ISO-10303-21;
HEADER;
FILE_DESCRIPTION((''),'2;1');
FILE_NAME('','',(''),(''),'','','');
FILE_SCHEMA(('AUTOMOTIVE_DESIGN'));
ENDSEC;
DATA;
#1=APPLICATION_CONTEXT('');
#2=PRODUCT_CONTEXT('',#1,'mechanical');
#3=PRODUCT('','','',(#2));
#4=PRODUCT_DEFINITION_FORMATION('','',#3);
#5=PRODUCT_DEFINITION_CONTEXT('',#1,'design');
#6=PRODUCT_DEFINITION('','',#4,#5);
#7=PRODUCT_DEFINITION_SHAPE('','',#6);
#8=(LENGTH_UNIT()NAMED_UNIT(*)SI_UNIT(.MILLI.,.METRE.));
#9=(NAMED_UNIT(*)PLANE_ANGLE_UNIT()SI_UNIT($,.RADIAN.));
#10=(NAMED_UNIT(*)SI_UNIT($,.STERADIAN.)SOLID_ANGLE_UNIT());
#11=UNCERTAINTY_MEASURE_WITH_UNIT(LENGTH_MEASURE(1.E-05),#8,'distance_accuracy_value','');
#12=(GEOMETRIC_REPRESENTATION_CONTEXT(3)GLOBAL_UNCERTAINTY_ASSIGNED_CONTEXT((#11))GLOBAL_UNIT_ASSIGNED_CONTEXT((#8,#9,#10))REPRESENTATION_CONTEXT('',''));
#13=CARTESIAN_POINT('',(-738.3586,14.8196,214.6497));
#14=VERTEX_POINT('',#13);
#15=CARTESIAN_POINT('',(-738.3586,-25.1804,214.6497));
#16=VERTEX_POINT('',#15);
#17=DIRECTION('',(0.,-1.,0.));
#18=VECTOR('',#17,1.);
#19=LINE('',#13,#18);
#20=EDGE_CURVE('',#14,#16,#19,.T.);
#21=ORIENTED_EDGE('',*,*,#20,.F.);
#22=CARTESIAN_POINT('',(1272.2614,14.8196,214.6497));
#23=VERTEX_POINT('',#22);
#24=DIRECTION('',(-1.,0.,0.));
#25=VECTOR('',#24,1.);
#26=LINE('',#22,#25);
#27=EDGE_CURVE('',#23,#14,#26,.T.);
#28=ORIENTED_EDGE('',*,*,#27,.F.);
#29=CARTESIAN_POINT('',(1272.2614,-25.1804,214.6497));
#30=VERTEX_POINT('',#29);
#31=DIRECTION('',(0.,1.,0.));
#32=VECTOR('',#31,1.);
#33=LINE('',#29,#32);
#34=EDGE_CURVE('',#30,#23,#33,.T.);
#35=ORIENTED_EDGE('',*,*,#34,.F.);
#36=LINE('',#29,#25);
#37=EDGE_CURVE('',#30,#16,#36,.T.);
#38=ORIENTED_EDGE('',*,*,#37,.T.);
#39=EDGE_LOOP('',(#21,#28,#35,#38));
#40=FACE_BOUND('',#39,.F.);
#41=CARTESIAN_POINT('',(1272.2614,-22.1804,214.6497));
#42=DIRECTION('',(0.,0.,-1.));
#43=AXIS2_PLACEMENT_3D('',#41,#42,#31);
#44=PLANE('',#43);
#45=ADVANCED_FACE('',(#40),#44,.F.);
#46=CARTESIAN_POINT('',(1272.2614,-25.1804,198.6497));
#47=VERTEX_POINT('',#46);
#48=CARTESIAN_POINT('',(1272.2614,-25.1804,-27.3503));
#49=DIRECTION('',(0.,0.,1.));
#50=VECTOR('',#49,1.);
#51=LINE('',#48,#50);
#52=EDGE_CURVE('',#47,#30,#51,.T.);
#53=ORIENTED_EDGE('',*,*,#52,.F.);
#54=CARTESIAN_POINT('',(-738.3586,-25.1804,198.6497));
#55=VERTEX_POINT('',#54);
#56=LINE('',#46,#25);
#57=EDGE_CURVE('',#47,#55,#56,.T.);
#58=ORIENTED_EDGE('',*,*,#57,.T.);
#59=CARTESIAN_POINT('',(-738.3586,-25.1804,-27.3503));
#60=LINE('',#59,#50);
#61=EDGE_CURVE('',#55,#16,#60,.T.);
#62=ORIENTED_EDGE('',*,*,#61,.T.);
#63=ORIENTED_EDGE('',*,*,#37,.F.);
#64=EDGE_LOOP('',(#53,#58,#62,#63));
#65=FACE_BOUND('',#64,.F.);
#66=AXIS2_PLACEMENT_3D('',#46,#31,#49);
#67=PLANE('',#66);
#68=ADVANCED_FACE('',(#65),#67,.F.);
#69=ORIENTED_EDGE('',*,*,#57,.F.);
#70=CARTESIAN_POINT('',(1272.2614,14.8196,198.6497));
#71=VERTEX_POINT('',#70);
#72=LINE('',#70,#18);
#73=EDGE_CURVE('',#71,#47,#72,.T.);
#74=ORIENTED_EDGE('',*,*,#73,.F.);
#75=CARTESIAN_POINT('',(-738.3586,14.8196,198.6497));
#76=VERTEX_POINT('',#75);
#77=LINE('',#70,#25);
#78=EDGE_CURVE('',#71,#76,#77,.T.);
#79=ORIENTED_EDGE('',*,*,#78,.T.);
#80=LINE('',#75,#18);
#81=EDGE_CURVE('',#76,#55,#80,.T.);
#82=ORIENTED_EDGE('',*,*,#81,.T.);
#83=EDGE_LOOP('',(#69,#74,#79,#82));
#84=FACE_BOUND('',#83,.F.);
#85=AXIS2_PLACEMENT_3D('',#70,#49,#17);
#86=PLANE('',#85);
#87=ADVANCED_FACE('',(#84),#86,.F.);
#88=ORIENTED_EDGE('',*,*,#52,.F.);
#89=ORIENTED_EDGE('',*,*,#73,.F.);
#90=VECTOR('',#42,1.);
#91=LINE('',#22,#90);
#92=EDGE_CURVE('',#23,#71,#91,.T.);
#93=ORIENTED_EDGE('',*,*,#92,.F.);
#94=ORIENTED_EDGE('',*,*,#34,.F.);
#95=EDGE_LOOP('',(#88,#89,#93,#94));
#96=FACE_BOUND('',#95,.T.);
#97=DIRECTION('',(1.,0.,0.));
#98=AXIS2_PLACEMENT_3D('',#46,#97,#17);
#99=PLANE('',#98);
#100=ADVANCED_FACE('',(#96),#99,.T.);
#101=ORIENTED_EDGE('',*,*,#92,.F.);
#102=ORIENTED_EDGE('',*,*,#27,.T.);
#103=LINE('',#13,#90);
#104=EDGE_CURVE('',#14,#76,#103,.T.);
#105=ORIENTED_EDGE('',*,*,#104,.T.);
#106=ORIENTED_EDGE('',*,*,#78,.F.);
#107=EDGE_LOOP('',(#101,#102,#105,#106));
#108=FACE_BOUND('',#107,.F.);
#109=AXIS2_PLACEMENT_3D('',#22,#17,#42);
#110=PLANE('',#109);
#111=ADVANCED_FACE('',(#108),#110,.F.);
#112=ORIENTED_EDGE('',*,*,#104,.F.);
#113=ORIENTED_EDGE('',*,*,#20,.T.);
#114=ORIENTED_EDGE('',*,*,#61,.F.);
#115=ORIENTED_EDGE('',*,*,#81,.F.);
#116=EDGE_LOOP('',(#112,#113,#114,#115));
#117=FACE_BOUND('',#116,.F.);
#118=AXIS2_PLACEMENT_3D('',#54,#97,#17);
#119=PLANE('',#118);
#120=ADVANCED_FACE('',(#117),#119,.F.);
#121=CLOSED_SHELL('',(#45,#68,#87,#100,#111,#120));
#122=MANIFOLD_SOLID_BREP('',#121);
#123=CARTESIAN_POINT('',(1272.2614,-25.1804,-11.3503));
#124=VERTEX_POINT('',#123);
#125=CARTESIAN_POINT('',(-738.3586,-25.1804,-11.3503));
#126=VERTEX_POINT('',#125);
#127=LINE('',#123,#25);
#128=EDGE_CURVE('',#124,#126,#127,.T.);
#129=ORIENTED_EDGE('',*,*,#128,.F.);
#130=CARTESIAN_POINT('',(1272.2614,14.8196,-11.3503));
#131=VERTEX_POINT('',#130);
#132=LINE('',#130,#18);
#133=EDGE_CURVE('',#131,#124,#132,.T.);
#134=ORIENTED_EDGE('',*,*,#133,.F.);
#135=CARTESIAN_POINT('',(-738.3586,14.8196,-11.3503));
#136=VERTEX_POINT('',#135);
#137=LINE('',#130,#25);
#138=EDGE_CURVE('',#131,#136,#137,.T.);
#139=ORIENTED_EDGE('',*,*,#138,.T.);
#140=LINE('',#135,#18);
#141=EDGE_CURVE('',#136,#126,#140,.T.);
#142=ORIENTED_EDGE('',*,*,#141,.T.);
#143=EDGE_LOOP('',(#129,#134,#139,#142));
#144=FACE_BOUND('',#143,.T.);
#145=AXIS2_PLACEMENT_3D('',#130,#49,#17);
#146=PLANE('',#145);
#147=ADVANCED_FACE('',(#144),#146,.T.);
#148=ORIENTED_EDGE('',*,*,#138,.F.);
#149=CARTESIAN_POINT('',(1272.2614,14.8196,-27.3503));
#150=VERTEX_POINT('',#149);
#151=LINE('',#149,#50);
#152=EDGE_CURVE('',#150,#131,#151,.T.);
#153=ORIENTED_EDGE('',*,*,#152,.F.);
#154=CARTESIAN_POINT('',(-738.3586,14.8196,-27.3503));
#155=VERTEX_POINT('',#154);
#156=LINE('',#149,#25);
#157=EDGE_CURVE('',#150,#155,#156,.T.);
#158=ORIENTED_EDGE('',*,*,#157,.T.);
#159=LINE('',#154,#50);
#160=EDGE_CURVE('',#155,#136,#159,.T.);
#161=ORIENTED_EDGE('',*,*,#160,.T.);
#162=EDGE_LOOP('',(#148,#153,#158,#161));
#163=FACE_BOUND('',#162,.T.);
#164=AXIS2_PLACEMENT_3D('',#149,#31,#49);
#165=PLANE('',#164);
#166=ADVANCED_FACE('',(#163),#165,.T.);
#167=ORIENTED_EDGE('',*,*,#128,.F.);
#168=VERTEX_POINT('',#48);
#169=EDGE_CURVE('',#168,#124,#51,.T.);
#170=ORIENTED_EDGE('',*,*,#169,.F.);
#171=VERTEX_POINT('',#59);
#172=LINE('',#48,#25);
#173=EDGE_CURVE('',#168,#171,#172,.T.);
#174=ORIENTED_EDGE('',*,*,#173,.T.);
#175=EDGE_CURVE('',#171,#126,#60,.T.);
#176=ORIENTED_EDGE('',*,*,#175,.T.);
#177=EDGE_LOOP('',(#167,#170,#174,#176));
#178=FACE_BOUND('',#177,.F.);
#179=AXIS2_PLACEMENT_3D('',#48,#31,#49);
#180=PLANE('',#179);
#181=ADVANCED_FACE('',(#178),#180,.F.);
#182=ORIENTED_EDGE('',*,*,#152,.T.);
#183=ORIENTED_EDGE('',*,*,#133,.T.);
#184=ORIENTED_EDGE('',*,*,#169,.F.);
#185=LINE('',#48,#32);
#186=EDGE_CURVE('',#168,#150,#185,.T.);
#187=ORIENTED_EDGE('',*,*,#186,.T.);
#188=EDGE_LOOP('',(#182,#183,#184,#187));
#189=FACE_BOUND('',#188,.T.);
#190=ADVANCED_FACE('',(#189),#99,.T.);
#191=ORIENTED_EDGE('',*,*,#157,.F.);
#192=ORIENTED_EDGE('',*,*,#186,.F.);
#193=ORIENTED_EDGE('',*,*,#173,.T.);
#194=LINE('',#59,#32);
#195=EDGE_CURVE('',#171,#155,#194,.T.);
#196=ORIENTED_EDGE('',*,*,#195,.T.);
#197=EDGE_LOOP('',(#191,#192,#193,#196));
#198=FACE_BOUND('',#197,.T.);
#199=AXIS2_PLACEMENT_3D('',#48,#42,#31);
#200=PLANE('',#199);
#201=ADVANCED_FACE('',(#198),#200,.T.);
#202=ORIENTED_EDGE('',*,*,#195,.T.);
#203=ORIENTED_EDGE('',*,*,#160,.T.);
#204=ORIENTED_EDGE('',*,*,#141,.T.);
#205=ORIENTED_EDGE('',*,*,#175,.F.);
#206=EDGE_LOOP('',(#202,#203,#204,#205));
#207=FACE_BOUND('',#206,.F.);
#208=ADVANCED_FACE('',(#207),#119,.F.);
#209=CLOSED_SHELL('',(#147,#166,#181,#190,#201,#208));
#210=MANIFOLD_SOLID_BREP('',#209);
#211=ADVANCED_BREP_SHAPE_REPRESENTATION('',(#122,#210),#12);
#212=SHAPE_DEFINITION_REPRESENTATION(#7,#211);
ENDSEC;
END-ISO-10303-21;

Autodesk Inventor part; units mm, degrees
ref_plane "YZ Plane" through (0, 0, 0) normal (1, 0, 0) x (0, 1, 0)
ref_plane "XZ Plane" through (0, 0, 0) normal (0, 1, 0) x (-1, 0, 0)
ref_plane "РабПлоскость2" through (1272.2614, -25.1804, 198.6497) normal (1, 0, 0) x (0, -1, 0)
sketch "Эскиз2" plane through (1272.2614, -25.1804, 198.6497) normal (1, 0, 0) x (0, -1, 0)
  line L0 (-3, -16) -> (0, -16) projected
  line L1 (0, 226) -> (0, -16) projected
  line L2 (0, -16) -> (-40, -16)
  line L3 (-40, -16) -> (-40, 0)
  line L4 (-40, 0) -> (0, 0)
  line L5 (0, 0) -> (0, -16)
  line L6 (0, 226) -> (-40, 226)
  line L7 (-40, 226) -> (-40, 210)
  line L8 (-40, 210) -> (0, 210)
  line L9 (0, 210) -> (0, 226)
  point P0 (-25.1804, 198.6497)
  point P1 (0, 0)
  dimension "d0" = 16
  dimension "d1" = 40
  dimension "d4" = 16
  dimension "d5" = 40
ref_plane "РабПлоскость3" through (-738.3586, -22.1804, 198.6497) normal (-1, 0, 0) x (0, 0, 1)
extrude "Выдавливание1" add sketch "Эскиз2" against normal up to surface (2010.62 mm away)
properties part number "брусок"
